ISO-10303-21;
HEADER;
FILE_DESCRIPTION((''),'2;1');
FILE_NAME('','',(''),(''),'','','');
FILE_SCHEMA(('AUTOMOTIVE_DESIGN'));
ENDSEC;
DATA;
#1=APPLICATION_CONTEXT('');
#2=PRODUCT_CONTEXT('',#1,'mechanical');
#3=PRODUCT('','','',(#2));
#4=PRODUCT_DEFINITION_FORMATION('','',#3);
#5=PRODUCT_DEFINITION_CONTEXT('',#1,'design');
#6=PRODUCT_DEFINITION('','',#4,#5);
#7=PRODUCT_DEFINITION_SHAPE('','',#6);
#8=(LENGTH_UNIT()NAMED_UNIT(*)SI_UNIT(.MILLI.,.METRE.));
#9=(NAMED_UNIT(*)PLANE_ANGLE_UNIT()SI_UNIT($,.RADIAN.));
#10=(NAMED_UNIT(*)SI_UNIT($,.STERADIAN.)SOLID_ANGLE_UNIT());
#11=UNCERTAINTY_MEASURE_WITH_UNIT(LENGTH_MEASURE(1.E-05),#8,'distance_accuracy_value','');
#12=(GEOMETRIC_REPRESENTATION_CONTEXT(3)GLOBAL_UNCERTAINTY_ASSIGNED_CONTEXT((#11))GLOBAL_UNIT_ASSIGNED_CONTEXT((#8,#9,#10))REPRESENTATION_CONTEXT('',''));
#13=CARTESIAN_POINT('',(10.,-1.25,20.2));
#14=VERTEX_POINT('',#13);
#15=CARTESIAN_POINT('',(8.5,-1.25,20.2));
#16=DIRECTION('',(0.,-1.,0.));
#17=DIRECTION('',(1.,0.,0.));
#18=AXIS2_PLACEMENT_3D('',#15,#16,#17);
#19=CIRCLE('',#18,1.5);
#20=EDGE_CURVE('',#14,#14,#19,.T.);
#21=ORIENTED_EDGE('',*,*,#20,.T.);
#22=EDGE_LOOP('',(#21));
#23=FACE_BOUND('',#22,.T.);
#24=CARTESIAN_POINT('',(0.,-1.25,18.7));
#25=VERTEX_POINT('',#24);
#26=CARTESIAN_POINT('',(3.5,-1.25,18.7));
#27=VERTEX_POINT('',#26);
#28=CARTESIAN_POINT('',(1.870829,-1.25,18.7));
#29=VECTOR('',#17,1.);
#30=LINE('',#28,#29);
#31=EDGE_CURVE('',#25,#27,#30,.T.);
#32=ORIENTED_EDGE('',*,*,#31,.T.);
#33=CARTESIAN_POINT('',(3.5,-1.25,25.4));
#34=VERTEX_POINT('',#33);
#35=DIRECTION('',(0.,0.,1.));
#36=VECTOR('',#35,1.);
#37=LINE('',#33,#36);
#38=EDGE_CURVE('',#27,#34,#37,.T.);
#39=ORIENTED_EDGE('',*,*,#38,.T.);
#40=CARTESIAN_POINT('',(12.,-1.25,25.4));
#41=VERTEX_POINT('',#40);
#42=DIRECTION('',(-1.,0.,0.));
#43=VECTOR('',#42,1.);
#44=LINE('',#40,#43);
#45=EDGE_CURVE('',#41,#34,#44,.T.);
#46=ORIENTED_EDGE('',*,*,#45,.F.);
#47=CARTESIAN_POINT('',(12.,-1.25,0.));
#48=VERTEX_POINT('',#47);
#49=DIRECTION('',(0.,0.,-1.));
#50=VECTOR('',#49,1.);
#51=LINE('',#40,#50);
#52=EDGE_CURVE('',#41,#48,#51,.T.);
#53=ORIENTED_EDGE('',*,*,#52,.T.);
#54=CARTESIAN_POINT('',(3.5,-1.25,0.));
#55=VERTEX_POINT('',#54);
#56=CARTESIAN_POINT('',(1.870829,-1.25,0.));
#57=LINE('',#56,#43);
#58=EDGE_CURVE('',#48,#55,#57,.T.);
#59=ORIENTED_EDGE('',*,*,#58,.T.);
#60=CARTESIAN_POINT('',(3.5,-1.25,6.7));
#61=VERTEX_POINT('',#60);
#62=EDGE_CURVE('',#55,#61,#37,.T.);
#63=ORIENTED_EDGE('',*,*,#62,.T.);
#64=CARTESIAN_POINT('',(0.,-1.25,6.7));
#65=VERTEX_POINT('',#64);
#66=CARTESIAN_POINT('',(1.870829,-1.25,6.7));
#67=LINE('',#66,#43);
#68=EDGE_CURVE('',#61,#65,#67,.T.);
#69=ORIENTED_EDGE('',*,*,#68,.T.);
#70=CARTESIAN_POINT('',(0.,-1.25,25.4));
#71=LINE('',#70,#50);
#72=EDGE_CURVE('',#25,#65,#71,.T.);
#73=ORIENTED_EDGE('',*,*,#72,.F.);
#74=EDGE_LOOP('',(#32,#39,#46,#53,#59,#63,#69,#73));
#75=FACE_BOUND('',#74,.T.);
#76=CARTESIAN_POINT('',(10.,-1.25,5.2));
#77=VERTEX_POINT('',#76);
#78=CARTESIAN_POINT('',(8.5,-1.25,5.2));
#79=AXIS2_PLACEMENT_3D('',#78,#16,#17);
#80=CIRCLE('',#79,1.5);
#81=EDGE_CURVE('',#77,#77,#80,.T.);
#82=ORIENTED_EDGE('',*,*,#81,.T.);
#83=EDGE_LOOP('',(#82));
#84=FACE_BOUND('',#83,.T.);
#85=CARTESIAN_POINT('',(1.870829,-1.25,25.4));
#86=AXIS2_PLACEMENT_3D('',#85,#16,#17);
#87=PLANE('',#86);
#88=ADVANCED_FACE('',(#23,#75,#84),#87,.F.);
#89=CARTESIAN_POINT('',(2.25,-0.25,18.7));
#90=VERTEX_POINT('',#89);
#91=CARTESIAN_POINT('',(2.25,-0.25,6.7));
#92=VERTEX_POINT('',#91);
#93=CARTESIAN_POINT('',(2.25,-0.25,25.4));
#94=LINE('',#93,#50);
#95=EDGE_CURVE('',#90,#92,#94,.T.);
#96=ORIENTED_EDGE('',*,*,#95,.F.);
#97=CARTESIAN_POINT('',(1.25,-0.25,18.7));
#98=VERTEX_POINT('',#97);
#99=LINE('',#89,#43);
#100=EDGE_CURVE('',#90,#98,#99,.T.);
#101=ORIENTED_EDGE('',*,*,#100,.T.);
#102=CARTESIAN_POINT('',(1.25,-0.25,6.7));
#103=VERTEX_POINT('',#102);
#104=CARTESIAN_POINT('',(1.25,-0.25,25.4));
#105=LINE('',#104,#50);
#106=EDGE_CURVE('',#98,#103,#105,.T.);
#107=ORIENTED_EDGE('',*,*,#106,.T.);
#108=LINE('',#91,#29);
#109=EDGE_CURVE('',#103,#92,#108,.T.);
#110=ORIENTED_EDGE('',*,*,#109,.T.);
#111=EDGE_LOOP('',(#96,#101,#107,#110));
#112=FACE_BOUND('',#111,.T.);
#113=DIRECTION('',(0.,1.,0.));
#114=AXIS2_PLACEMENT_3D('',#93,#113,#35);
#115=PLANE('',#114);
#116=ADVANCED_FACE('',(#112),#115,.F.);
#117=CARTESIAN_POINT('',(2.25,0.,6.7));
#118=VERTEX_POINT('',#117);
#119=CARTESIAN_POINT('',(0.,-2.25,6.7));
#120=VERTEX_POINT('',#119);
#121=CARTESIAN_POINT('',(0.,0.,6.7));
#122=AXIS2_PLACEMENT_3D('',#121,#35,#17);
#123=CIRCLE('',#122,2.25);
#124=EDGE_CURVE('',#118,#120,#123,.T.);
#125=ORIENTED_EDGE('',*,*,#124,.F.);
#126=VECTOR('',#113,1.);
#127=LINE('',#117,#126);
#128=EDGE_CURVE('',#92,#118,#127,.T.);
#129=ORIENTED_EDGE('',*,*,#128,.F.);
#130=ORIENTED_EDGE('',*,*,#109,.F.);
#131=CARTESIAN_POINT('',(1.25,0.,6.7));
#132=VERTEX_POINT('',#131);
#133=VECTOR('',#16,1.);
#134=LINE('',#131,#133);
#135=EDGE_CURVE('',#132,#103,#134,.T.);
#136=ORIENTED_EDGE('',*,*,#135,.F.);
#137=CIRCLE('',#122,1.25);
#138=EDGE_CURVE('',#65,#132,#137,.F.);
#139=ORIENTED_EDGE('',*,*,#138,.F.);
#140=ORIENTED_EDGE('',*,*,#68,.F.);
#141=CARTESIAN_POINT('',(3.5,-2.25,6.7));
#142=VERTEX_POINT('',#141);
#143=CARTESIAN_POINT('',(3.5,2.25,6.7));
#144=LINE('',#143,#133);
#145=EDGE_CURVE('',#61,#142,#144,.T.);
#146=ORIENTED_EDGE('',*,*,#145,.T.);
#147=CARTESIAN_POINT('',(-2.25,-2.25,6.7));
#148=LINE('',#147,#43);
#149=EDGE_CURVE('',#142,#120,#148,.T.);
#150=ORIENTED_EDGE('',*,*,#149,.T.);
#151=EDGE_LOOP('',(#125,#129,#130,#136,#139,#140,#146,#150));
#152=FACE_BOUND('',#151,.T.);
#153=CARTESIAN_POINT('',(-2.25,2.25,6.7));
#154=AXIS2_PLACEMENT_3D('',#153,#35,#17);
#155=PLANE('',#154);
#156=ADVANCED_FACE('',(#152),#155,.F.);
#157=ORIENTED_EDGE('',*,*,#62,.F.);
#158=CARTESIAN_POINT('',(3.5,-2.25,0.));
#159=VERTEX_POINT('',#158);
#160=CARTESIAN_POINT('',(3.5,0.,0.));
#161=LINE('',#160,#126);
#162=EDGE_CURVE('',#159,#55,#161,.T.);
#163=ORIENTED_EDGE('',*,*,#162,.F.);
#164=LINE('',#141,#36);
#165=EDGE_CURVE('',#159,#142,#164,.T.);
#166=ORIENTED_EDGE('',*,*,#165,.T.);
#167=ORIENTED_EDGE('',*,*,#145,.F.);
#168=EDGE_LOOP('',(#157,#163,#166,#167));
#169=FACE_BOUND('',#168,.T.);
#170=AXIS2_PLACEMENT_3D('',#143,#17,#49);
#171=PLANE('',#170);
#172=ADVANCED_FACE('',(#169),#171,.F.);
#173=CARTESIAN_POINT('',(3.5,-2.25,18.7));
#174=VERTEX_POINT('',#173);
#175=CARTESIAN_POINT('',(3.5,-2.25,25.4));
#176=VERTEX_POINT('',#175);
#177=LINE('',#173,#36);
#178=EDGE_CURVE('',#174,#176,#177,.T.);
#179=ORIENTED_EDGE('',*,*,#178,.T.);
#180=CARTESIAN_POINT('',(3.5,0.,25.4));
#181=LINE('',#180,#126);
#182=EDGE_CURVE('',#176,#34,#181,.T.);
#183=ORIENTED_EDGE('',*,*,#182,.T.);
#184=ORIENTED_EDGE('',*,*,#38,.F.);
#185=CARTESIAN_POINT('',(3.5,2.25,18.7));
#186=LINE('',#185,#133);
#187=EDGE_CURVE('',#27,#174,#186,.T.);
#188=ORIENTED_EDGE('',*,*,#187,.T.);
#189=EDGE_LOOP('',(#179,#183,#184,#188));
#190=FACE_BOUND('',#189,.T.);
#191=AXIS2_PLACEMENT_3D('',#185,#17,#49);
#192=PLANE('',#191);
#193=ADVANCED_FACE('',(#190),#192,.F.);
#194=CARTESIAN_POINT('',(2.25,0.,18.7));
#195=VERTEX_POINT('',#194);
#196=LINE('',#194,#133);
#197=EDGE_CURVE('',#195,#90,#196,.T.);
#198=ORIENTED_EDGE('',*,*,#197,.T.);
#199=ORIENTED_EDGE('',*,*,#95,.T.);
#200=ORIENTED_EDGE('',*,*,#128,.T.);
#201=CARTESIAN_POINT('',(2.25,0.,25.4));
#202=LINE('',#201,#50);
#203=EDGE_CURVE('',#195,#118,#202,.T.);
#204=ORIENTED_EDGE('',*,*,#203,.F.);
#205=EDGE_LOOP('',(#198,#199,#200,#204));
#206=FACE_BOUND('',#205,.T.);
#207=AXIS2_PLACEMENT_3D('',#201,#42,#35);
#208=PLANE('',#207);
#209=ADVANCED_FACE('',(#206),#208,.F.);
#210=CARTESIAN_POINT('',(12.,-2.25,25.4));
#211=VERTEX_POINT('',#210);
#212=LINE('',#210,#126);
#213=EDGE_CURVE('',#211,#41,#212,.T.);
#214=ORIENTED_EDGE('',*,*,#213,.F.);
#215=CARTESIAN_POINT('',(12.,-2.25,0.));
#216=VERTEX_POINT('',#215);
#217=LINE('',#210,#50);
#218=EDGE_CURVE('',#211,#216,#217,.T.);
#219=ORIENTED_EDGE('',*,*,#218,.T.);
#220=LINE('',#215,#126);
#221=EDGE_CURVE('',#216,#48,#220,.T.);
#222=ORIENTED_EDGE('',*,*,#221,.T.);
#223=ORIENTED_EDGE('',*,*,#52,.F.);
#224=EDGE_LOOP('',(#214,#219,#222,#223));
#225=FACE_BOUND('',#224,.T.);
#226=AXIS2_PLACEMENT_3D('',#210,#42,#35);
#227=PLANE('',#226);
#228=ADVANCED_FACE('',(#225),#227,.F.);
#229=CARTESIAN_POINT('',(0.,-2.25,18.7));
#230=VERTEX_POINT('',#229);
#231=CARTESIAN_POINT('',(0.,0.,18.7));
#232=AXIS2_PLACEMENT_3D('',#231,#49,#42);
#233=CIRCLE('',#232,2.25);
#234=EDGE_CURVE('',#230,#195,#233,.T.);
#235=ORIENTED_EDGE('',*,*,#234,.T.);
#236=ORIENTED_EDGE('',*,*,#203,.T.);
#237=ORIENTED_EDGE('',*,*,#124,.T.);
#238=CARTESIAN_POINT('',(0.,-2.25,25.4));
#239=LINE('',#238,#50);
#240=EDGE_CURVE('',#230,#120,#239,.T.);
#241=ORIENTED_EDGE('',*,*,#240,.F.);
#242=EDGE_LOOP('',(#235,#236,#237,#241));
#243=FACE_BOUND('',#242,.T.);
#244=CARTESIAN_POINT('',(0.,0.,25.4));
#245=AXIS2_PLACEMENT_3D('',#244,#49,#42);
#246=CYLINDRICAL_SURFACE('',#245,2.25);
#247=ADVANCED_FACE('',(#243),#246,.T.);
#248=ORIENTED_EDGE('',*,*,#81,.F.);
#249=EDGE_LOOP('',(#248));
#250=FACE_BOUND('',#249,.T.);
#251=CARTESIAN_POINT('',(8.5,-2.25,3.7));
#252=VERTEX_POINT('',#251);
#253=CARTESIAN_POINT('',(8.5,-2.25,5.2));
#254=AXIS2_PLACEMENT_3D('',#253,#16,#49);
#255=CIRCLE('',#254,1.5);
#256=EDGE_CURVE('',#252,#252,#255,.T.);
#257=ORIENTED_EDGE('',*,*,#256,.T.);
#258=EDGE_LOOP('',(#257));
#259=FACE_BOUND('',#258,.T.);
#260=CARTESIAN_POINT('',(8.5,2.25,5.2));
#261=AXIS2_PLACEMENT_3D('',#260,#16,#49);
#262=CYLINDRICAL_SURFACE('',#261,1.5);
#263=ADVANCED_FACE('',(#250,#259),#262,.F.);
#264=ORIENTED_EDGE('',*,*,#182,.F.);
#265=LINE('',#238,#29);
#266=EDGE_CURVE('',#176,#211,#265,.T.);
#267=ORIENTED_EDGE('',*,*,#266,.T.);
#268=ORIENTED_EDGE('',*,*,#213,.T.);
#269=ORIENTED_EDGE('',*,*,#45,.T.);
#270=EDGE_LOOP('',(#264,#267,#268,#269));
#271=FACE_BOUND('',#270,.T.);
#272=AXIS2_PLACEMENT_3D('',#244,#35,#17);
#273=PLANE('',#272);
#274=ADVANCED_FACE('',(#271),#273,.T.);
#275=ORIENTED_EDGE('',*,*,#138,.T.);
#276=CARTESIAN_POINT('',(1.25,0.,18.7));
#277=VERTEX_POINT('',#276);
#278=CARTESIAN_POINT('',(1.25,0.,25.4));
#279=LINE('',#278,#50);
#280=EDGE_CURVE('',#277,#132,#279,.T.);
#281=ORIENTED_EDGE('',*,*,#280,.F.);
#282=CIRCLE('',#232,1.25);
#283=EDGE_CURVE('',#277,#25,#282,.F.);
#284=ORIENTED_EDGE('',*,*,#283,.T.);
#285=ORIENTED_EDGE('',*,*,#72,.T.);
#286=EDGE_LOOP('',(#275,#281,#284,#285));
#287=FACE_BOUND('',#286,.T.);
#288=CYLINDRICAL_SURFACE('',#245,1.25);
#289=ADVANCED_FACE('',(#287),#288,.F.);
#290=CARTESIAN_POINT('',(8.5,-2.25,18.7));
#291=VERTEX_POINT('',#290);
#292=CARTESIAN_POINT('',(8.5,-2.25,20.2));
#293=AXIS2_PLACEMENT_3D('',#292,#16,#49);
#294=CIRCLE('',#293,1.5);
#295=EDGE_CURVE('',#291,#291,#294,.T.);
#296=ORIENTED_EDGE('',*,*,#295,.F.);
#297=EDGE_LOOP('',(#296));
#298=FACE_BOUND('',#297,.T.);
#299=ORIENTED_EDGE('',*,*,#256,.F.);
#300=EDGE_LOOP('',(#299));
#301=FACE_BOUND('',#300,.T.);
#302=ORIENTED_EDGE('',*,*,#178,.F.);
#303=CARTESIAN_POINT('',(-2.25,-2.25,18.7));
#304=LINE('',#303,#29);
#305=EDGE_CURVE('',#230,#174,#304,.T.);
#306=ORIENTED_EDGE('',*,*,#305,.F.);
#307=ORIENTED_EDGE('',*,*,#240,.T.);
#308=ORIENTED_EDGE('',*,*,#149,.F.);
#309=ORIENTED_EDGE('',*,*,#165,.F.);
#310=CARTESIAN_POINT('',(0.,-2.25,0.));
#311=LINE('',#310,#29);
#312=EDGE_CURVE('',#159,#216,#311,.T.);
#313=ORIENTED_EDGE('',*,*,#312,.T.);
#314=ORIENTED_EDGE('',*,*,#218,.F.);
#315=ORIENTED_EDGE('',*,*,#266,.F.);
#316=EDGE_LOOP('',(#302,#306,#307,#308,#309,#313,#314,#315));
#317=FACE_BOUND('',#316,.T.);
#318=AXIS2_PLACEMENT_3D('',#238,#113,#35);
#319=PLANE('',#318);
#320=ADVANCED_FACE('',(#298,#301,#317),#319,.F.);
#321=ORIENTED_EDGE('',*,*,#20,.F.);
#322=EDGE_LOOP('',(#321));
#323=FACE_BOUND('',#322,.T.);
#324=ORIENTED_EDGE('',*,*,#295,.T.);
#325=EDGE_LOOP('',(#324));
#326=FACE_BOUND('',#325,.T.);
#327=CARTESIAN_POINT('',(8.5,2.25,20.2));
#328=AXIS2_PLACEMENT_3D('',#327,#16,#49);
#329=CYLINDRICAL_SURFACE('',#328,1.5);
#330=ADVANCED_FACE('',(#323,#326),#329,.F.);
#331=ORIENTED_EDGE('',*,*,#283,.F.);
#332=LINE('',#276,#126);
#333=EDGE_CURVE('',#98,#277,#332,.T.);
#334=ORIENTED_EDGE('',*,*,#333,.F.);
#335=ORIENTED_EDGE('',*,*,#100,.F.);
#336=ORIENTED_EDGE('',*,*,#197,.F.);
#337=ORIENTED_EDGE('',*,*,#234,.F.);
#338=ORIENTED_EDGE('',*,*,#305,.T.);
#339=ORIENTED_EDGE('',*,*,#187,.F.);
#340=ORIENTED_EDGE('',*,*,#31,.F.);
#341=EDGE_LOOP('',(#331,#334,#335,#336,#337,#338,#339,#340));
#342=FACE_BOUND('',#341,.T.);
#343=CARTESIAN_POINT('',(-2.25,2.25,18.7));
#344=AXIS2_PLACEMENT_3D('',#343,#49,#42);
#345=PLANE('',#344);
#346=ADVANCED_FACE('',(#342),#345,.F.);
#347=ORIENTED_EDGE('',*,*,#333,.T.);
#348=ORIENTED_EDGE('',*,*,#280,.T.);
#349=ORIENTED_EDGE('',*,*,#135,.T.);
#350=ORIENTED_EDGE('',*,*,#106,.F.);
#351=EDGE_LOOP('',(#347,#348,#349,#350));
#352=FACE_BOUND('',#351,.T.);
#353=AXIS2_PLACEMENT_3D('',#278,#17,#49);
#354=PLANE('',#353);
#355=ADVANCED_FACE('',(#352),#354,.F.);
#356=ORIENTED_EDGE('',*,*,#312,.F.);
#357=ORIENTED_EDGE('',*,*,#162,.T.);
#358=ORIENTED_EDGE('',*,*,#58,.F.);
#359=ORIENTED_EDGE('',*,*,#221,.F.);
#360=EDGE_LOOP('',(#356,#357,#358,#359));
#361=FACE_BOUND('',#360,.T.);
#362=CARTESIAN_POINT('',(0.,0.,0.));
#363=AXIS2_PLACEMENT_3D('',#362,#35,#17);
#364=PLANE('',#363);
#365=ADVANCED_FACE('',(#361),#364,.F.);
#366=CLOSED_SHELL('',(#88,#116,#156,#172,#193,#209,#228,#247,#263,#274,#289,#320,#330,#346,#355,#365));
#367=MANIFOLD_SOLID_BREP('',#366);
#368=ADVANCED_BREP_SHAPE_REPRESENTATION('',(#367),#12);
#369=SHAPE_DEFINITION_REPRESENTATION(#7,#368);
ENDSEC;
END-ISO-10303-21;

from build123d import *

# Parameters (mm, degrees)
SALIENTE_EXTRUIR1_DEPTH = 25.4
CROQUIS4_R              = 1.5
CROQUIS4_W              = 5.75
CROQUIS4_H              = 6.7
CORTAR_EXTRUIR3_DEPTH   = 29.45013181


with BuildPart() as part:
    # Croquis1 → Saliente-Extruir1 (new body)
    with BuildSketch(Plane.XY):
        with BuildLine():
            Line((0, -2.25), (12, -2.25))
            Line((12, -2.25), (12, -1.25))
            Line((12, -1.25), (1.870828693, -1.25))
            Line((1.870828693, -1.25), (0, -1.25))
            ThreePointArc((0, -1.25), (-0.883883476, 0.883883476), (1.25, 0))
            Line((1.25, 0), (1.25, -0.25))
            Line((1.25, -0.25), (2.236067977, -0.25))
            Line((2.236067977, -0.25), (2.25, -0.25))
            Line((2.25, -0.25), (2.25, 0))
            ThreePointArc((2.25, 0), (-1.590990258, 1.590990258), (0, -2.25))
        make_face()
    extrude(amount=SALIENTE_EXTRUIR1_DEPTH)

    # Croquis4 → Cortar-Extruir3 (cut, through all)
    with BuildSketch(Plane.XZ.offset(2.25)):
        with Locations(Location((8.5, 20.2, 0), (0, 0, 270))):
            Circle(CROQUIS4_R)
        with Locations(Location((8.5, 5.2, 0), (0, 0, 270))):
            Circle(CROQUIS4_R)
        with Locations((0.625, 22.05)):
            Rectangle(CROQUIS4_W, CROQUIS4_H)
        with Locations((0.625, 3.35)):
            Rectangle(CROQUIS4_W, CROQUIS4_H)
    extrude(amount=-CORTAR_EXTRUIR3_DEPTH, mode=Mode.SUBTRACT)


solid = part.part
